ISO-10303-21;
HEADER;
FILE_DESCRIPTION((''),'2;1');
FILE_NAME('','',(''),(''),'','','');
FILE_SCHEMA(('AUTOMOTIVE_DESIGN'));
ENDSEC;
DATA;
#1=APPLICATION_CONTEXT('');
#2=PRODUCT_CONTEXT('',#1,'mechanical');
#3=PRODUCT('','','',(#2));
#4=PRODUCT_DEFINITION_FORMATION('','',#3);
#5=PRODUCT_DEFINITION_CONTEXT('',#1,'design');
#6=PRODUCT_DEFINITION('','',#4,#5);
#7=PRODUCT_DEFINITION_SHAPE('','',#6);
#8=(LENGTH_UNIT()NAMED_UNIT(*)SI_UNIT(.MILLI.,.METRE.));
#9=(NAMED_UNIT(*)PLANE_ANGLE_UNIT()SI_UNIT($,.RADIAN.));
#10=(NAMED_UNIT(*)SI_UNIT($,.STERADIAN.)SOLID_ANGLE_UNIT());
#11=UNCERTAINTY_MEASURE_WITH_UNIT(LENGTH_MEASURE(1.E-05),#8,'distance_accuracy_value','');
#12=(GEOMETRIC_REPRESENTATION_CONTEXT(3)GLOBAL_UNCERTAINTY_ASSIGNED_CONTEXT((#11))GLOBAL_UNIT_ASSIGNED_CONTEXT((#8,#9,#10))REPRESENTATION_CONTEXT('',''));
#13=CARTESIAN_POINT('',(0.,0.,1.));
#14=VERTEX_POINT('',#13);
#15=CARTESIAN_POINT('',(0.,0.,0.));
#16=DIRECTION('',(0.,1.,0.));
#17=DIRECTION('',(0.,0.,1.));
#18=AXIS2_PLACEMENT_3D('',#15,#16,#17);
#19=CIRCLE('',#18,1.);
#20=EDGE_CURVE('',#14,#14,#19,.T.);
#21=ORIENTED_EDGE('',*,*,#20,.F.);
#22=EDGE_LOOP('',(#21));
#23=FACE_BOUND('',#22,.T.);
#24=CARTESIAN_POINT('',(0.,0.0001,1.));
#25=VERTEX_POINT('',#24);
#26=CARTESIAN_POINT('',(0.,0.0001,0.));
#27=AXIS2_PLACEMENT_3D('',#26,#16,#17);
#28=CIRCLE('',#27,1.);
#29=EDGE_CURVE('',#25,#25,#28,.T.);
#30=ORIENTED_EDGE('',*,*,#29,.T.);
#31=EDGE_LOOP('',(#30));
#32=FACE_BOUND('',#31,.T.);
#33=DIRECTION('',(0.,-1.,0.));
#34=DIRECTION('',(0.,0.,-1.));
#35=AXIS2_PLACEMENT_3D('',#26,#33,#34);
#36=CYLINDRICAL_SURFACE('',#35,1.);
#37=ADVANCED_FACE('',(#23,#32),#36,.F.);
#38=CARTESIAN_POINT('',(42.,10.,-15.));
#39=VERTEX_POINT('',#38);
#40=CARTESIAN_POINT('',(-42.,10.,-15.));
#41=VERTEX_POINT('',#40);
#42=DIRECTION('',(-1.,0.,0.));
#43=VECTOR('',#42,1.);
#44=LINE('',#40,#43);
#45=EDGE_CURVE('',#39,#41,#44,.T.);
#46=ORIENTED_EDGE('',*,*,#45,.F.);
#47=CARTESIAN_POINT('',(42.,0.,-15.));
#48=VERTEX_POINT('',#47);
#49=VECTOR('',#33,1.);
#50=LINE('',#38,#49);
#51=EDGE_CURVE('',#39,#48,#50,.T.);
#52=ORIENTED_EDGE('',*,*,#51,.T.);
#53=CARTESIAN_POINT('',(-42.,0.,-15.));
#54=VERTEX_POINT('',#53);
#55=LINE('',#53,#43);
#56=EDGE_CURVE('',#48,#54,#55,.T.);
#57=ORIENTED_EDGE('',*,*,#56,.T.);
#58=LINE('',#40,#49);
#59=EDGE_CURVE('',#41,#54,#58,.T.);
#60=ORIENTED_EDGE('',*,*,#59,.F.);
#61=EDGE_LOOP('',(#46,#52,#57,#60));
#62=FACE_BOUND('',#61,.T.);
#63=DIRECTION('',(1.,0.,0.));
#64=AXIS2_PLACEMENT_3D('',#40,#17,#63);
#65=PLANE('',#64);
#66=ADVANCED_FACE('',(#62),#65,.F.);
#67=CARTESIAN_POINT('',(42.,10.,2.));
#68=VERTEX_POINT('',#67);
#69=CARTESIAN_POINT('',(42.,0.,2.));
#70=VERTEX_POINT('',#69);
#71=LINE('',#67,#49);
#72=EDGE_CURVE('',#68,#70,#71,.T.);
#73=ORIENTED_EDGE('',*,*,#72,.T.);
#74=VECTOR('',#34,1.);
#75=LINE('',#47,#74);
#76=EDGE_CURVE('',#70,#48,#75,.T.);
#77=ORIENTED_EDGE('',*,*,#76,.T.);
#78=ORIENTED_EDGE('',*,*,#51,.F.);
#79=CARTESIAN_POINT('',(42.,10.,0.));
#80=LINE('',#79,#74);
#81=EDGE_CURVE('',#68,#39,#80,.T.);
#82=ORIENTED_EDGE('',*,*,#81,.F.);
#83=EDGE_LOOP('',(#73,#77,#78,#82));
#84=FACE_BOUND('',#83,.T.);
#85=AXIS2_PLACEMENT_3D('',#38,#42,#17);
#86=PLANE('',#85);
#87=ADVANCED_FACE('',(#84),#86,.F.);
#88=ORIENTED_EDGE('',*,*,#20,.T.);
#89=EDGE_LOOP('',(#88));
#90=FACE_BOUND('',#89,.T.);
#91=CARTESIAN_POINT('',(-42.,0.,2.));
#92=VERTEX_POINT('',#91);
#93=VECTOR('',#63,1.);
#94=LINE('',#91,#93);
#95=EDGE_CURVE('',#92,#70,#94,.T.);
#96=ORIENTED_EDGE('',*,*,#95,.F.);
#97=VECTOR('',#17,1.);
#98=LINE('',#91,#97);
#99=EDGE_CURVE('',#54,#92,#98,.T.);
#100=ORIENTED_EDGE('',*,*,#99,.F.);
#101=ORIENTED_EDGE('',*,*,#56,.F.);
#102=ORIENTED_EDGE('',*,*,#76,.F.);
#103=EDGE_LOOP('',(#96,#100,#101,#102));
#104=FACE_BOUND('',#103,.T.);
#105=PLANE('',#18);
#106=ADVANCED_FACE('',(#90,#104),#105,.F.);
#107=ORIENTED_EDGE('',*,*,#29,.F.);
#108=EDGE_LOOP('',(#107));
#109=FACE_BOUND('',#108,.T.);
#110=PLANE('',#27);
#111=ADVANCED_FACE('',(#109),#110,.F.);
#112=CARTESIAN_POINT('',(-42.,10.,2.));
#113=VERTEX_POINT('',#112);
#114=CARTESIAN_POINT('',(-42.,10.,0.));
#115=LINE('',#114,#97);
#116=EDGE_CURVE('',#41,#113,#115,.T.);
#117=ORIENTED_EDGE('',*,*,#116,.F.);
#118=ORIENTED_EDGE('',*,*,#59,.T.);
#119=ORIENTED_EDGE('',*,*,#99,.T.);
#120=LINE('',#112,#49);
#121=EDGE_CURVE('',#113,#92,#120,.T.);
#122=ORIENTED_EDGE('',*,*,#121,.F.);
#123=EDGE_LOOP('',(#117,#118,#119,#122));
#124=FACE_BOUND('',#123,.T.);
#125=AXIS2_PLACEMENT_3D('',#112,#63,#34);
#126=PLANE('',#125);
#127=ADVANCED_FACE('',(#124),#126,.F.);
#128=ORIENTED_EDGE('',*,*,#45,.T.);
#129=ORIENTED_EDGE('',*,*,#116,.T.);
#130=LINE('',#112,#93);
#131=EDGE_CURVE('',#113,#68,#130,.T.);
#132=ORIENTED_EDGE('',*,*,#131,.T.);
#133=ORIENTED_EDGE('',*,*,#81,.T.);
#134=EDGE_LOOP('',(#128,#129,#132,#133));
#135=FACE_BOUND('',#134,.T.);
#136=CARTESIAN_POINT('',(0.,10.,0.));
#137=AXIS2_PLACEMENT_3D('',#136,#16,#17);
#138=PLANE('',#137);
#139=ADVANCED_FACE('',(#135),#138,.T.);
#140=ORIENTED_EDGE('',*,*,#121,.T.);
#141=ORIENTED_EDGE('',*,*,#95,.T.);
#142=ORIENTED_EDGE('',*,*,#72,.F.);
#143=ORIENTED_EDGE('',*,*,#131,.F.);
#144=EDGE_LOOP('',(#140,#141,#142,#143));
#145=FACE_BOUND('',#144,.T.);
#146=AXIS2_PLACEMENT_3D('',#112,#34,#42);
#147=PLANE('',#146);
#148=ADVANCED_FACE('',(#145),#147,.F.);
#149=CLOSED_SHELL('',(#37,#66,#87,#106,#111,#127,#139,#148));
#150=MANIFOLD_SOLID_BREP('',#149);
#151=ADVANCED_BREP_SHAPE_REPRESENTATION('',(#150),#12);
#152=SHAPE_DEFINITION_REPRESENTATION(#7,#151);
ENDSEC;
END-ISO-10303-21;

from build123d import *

# Parameters (mm, degrees)
BOSS_EXTRUDE1_DEPTH = 10
SKETCH2_R           = 1
CUT_EXTRUDE1_DEPTH  = 0.0001


with BuildPart() as part:
    # Sketch1 → Boss-Extrude1 (new body)
    with BuildSketch(Plane(origin=(0, 0, 0), x_dir=(1, 0, 0), z_dir=(0, 1, 0))):
        Polygon((-42, 0), (-42, 15), (42, 15), (42, 0), (42, -2), (-42, -2), align=None)
    extrude(amount=BOSS_EXTRUDE1_DEPTH)

    # Sketch2 → Cut-Extrude1 (cut)
    with BuildSketch(Plane(origin=(0, 0, 0), x_dir=(1, 0, 0), z_dir=(0, 1, 0))):
        Circle(SKETCH2_R)
    extrude(amount=CUT_EXTRUDE1_DEPTH, mode=Mode.SUBTRACT)


solid = part.part
